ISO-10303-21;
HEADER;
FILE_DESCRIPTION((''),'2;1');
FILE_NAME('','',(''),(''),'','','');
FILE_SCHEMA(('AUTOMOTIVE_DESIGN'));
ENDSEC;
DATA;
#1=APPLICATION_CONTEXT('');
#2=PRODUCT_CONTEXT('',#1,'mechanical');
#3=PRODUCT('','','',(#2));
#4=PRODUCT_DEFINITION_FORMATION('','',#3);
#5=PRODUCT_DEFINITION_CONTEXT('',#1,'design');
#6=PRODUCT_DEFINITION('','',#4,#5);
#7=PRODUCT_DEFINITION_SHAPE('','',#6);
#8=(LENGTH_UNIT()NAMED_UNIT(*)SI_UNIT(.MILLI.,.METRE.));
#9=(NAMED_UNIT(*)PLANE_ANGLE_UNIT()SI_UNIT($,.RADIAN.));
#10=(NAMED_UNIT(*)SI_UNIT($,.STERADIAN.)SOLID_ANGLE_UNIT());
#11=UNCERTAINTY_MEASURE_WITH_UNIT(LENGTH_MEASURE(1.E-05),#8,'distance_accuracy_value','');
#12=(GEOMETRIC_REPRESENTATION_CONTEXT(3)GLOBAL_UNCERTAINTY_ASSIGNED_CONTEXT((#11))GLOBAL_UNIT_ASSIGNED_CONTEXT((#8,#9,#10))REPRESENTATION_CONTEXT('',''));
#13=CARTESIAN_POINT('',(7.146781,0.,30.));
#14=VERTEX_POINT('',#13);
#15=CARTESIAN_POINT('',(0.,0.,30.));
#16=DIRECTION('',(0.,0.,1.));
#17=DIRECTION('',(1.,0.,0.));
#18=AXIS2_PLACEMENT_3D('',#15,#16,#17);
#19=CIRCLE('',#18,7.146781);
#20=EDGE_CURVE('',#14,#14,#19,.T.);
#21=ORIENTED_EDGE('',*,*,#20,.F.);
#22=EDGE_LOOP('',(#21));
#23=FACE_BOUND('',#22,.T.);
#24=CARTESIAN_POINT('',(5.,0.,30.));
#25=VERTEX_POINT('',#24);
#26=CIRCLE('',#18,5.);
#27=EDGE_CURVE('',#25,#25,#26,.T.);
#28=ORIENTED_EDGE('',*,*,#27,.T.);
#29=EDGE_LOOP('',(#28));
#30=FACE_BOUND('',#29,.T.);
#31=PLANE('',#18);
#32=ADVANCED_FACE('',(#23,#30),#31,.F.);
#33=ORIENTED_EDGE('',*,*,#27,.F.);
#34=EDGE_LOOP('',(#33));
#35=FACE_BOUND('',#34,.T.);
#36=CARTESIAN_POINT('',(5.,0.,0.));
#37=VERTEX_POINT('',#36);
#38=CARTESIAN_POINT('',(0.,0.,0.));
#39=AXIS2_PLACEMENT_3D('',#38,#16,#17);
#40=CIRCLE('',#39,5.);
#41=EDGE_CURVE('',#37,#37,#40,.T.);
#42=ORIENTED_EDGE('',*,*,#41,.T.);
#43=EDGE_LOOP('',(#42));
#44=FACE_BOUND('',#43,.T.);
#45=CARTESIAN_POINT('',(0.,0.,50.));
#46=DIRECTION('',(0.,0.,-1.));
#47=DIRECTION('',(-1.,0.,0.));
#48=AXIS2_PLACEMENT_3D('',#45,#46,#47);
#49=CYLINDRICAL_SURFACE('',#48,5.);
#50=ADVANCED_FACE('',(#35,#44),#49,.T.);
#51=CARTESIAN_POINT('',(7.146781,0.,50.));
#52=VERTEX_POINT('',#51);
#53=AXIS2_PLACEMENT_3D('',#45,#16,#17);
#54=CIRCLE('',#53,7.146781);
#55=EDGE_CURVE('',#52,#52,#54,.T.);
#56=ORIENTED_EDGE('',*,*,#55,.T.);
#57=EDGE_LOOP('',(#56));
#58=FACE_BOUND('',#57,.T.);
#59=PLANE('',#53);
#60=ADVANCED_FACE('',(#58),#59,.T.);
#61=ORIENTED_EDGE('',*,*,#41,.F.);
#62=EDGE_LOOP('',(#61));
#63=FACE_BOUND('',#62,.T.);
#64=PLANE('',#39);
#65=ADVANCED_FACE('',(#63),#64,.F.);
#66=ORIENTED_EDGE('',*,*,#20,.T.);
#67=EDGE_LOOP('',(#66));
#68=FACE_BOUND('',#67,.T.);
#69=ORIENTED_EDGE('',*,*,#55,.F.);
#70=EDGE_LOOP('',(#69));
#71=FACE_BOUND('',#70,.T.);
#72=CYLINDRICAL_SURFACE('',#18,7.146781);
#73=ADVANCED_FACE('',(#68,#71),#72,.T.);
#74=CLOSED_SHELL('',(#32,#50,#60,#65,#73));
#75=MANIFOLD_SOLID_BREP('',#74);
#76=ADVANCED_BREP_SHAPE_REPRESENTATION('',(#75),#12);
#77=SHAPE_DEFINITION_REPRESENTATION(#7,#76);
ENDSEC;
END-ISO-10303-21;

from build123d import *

# Parameters (mm, degrees)
SKETCH_2_R      = 5
EXTRUDE_1_DEPTH = 50
THREAD_1_PITCH  = 1
THREAD_1_HEIGHT = 10
THREAD_1_RADIUS = 5
SKETCH_8_R      = 7.146780715
EXTRUDE_2_DEPTH = 20


with BuildPart() as part:
    # Sketch 2 → Бобышка-Вытянуть1 (new body)
    with BuildSketch(Plane.XY):
        Circle(SKETCH_2_R)
    extrude(amount=EXTRUDE_1_DEPTH)

    # Резьба1: sweep along a helix
    with BuildLine() as thread_1_path:
        Helix(THREAD_1_PITCH, THREAD_1_HEIGHT, THREAD_1_RADIUS, center=(0, 0, 50), direction=(0, 0, -1))
    # Sketch 2 2 → Резьба1 (sweep, cut)
    with BuildSketch(Plane(origin=(-5, 0, 50), x_dir=(-1, 0, 0), z_dir=(0, -1, 0))):
        Polygon((0, 0), (0, 0.874999997), (-0.541265875, 0.562499999), (-0.541265875, 0.312499999), align=None)
    sweep(path=thread_1_path.line, is_frenet=True, mode=Mode.SUBTRACT)

    # Эскиз8 → Бобышка-Вытянуть2 (add)
    with BuildSketch(Plane.XY.offset(50)):
        Circle(SKETCH_8_R)
    extrude(amount=-EXTRUDE_2_DEPTH)


solid = part.part
